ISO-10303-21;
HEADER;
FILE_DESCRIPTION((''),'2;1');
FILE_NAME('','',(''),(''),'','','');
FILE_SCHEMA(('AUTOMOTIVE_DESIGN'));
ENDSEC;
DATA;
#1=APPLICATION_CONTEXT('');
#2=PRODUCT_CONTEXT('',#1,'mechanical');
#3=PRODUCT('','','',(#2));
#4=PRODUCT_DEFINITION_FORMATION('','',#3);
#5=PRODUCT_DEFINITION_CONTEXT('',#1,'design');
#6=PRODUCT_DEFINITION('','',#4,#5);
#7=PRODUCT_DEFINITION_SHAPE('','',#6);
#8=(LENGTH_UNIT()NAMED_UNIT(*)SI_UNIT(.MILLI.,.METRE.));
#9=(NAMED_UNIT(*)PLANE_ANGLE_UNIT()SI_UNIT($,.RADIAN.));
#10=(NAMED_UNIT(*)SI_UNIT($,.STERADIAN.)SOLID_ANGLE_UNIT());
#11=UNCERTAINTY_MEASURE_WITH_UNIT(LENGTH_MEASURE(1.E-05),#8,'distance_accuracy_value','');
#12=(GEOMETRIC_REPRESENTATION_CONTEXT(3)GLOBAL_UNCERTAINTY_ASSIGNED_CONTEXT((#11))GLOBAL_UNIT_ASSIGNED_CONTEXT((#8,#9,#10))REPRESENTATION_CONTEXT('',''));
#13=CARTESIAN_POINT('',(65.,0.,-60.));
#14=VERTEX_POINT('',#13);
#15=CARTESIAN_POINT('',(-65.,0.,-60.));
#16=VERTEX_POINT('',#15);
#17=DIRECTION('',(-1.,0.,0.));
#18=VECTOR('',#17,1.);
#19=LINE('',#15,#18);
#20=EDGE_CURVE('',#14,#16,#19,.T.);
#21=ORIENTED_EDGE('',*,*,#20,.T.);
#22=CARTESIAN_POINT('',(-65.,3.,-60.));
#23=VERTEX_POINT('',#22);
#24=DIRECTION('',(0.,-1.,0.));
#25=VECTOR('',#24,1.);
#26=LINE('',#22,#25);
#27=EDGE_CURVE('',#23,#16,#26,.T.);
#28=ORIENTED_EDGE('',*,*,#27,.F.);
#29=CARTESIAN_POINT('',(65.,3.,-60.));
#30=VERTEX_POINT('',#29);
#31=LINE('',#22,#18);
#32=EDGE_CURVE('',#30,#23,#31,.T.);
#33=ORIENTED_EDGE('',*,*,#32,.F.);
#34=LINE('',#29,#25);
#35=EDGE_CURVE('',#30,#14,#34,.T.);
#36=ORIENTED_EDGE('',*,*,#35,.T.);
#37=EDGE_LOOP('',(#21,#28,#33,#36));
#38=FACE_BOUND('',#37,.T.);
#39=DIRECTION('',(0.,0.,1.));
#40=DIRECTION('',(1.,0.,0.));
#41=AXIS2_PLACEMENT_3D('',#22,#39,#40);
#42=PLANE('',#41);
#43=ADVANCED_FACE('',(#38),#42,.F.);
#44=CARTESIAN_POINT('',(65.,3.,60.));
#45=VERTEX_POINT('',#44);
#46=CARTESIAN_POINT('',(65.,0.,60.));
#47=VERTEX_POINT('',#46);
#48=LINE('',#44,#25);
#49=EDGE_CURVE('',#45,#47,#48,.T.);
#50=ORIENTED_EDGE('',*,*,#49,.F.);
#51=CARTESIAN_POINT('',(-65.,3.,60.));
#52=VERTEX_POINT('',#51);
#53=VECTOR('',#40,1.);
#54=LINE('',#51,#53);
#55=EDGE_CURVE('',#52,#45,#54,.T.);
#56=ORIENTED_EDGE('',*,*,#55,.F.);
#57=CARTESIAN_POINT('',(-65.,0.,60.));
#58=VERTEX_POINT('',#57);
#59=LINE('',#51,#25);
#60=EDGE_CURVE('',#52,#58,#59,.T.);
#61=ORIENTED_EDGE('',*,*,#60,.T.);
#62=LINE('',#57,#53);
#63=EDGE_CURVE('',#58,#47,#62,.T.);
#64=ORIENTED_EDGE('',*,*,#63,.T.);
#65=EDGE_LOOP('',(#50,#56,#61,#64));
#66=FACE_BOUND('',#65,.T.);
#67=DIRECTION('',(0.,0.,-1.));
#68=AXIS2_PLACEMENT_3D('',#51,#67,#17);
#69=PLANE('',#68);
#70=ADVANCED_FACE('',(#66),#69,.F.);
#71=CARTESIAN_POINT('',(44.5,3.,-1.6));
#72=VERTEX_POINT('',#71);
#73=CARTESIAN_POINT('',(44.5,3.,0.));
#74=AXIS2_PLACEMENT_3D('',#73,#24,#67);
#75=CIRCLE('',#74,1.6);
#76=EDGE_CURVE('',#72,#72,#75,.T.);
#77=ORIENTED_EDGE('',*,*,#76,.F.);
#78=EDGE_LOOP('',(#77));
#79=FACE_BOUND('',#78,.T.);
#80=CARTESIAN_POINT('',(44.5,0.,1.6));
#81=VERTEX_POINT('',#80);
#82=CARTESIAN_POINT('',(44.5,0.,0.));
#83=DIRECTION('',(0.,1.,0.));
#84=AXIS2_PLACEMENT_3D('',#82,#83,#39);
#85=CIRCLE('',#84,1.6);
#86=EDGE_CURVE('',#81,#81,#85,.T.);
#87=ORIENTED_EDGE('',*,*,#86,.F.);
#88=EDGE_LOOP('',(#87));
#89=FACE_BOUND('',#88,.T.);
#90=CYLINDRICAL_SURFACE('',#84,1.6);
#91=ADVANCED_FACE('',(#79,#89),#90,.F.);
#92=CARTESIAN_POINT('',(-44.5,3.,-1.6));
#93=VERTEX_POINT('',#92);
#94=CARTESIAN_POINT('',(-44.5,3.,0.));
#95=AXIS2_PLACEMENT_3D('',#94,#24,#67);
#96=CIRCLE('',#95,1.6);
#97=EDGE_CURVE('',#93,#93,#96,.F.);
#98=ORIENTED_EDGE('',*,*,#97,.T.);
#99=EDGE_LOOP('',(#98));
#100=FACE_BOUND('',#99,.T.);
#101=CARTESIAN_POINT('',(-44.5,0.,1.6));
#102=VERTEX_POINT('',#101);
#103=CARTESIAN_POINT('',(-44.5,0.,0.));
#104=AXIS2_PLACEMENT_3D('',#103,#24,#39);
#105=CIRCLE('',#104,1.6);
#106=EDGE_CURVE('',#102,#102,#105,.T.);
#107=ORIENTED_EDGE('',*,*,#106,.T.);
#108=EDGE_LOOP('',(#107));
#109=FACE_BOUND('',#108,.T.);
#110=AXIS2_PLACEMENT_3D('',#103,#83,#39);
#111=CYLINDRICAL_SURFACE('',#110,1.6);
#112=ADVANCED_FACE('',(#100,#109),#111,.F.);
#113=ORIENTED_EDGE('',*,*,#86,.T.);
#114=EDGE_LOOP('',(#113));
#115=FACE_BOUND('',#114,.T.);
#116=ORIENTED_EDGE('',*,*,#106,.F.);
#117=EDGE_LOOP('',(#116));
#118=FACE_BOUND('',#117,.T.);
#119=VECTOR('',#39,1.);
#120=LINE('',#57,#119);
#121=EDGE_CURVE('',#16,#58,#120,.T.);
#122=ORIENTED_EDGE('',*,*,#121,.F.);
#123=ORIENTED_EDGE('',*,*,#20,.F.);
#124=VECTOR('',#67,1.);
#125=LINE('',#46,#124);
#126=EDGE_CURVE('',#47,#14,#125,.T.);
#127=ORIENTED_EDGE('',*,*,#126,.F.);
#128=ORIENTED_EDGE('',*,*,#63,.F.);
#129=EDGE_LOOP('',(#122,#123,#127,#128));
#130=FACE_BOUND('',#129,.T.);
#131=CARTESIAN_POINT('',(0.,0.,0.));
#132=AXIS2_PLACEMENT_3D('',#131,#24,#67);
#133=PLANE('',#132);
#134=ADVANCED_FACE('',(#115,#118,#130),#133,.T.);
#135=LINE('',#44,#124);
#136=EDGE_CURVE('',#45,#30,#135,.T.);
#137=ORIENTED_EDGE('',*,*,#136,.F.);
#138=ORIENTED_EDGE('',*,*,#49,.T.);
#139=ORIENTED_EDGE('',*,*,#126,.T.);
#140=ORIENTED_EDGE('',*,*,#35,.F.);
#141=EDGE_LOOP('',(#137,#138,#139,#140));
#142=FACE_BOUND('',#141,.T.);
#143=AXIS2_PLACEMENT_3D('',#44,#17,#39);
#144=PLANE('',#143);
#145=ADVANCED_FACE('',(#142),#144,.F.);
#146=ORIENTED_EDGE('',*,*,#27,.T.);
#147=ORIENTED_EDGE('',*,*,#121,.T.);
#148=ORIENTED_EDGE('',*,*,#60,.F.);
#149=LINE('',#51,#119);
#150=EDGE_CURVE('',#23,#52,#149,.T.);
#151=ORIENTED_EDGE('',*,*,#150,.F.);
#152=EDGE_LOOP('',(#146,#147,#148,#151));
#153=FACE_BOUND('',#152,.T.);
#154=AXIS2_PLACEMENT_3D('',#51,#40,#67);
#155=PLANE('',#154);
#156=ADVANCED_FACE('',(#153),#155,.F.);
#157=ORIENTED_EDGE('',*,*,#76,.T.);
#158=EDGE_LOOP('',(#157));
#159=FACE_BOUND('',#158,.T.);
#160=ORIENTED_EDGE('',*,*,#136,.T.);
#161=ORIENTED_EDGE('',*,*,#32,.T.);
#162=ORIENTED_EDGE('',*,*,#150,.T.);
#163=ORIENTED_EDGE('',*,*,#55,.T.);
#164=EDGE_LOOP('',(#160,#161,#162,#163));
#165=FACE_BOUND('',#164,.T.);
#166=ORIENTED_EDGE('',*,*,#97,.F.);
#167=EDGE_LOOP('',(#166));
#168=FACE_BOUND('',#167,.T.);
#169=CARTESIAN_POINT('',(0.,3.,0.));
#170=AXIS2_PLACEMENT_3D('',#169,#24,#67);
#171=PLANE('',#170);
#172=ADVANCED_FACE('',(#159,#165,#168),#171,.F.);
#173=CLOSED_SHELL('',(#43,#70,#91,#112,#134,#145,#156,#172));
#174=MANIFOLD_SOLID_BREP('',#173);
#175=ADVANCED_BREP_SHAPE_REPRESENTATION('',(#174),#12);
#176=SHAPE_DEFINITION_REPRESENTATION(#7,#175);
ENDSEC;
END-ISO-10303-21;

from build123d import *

# Parameters (mm, degrees)
SKETCH1_W           = 130
SKETCH1_H           = 120
BOSS_EXTRUDE1_DEPTH = 3
CUT_EXTRUDE1_START  = -4
SKETCH2_R           = 1.6
CUT_EXTRUDE1_DEPTH  = 5


with BuildPart() as part:
    # Sketch1 → Boss-Extrude1 (new body)
    with BuildSketch(Plane(origin=(0, 0, 0), x_dir=(1, 0, 0), z_dir=(0, 1, 0))):
        Rectangle(SKETCH1_W, SKETCH1_H)
    extrude(amount=BOSS_EXTRUDE1_DEPTH)

    # Sketch2 → Cut-Extrude1 (cut)
    with BuildSketch(Plane(origin=(0, 3, 0), x_dir=(1, 0, 0), z_dir=(0, 1, 0)).offset(CUT_EXTRUDE1_START)):
        with Locations((44.5, 0)):
            Circle(SKETCH2_R)
    cut_extrude1 = extrude(amount=CUT_EXTRUDE1_DEPTH, mode=Mode.SUBTRACT)

    # Mirror1: Cut-Extrude1 across plane
    add(cut_extrude1.mirror(Plane(origin=(0, 0, 0), x_dir=(0, 0, 1), z_dir=(1, 0, 0))), mode=Mode.SUBTRACT)


solid = part.part
